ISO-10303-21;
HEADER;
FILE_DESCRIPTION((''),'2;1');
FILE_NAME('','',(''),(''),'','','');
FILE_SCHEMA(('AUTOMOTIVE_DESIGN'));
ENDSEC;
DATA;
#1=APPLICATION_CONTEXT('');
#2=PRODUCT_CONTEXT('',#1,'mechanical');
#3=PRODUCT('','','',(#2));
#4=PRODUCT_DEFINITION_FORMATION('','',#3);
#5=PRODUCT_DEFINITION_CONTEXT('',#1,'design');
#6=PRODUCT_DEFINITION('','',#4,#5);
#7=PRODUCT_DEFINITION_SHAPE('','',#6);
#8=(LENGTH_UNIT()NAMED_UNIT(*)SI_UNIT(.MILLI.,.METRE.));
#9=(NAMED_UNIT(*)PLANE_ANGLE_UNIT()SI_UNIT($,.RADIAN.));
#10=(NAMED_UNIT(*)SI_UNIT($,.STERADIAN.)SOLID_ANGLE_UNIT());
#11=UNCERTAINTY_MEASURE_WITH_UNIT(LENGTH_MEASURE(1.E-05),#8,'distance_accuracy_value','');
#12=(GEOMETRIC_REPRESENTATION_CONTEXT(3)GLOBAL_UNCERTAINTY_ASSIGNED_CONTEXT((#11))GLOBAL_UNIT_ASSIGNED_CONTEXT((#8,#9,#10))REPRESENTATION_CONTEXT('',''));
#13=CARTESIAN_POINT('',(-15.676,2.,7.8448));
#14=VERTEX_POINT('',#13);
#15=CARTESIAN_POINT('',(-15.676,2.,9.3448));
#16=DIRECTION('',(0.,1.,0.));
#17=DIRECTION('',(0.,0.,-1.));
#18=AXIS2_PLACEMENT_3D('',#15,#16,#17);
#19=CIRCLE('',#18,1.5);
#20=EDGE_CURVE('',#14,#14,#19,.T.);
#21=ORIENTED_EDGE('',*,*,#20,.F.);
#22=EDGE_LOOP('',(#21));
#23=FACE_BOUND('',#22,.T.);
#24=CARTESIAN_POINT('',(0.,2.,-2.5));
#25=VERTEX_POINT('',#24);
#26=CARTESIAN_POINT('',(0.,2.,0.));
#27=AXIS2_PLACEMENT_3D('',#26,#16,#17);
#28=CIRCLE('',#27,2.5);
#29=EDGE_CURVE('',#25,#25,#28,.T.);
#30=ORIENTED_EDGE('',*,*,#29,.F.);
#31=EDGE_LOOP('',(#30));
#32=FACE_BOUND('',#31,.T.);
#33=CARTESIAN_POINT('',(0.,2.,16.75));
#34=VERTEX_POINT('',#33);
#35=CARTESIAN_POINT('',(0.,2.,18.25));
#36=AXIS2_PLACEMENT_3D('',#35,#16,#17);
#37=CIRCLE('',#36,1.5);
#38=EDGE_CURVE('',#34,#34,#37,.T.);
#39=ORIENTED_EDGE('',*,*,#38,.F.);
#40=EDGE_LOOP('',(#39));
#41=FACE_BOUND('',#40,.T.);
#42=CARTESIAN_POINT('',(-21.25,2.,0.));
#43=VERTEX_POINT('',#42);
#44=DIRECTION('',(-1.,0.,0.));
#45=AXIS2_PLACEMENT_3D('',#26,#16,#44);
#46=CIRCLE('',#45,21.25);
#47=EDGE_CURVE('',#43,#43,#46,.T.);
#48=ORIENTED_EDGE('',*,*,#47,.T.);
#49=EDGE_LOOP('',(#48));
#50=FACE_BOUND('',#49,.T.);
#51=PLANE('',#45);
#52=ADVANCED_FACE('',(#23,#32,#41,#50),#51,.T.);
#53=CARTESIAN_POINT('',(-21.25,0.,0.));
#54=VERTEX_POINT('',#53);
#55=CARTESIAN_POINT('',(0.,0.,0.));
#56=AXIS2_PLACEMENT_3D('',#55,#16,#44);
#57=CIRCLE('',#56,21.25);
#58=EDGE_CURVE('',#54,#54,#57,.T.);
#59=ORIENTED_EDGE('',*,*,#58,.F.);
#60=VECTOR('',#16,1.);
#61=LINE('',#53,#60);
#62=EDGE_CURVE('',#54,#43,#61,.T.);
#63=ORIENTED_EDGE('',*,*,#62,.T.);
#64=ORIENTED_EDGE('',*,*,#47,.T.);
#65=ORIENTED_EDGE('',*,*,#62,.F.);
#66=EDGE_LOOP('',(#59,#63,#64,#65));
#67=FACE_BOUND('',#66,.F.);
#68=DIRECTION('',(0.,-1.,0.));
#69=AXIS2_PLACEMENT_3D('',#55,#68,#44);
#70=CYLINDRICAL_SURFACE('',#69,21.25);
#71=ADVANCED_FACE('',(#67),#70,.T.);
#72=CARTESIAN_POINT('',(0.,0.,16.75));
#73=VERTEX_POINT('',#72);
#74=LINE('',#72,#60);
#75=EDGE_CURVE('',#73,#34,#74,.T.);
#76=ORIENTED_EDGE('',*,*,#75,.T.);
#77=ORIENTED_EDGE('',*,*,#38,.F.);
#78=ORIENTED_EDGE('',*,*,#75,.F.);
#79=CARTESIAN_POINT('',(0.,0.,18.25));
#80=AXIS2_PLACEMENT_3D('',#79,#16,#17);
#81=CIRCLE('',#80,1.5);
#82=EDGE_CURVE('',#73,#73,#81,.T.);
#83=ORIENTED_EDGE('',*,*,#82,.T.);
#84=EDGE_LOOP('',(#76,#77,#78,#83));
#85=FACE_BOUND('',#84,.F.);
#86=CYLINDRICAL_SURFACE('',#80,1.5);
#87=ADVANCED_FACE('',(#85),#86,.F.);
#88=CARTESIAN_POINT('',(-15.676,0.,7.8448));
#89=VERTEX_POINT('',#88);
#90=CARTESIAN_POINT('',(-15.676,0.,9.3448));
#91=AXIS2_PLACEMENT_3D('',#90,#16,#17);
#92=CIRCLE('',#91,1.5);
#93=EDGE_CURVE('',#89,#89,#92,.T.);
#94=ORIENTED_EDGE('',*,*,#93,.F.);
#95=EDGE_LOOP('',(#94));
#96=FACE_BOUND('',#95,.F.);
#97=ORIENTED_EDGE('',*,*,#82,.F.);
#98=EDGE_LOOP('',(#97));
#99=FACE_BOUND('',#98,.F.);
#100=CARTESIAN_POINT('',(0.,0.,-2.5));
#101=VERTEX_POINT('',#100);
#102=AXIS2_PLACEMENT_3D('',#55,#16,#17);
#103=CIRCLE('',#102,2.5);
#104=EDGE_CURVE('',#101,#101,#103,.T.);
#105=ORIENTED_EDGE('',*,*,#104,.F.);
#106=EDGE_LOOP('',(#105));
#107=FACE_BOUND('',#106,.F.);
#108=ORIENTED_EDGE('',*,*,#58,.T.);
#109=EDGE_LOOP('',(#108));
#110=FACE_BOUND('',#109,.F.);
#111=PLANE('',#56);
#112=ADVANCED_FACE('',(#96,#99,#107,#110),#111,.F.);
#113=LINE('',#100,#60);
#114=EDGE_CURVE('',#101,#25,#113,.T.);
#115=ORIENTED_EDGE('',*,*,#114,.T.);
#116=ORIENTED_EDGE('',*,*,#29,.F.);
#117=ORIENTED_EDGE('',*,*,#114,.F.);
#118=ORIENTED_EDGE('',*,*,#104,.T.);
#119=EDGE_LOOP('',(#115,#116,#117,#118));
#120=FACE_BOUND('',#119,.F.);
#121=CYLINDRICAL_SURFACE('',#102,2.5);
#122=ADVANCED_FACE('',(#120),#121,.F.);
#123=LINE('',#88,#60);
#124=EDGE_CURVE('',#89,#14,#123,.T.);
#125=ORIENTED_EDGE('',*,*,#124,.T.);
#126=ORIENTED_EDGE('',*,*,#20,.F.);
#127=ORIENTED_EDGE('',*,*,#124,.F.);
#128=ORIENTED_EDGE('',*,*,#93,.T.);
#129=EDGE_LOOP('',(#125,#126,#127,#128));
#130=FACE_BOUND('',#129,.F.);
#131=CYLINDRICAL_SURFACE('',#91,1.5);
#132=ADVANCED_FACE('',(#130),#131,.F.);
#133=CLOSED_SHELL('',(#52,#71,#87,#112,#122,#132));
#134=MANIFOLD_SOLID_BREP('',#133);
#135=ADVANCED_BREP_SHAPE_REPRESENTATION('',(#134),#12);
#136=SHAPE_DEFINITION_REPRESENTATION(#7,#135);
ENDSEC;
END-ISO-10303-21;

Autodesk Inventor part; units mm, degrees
ref_plane "YZ Plane" through (0, 0, 0) normal (1, 0, 0) x (0, 1, 0)
ref_plane "XZ Plane" through (0, 0, 0) normal (0, 1, 0) x (-1, 0, 0)
ref_plane "XY Plane" through (0, 0, 0) normal (0, 0, 1) x (1, 0, 0)
sketch "Sketch1" plane through (0, 0, 0) normal (0, 1, 0) x (-1, 0, 0)
  circle A0 centre (0, 0) radius 21.25
  circle A1 centre (0, 0) radius 18.25
  point P0 (0, 18.25)
  point P1 (15.676, 9.3448)
  dimension "d0" = 42.5
  dimension "d3" = 3
  dimension "d4" = 59.2
extrude "Extrusion1" add sketch "Sketch1" along normal blind 2 contours A0 | A1
hole "Hole1" at (0, 0, 18.25) at (-15.676, 0, 9.3448) direction (0, 1, 0) diameter 3 depth 8 tip angle 118
hole "Hole2" at (0, 0, 0) direction (0, 1, 0) diameter 5 depth 8 tip angle 118
properties part number "RotatoryDisk"
